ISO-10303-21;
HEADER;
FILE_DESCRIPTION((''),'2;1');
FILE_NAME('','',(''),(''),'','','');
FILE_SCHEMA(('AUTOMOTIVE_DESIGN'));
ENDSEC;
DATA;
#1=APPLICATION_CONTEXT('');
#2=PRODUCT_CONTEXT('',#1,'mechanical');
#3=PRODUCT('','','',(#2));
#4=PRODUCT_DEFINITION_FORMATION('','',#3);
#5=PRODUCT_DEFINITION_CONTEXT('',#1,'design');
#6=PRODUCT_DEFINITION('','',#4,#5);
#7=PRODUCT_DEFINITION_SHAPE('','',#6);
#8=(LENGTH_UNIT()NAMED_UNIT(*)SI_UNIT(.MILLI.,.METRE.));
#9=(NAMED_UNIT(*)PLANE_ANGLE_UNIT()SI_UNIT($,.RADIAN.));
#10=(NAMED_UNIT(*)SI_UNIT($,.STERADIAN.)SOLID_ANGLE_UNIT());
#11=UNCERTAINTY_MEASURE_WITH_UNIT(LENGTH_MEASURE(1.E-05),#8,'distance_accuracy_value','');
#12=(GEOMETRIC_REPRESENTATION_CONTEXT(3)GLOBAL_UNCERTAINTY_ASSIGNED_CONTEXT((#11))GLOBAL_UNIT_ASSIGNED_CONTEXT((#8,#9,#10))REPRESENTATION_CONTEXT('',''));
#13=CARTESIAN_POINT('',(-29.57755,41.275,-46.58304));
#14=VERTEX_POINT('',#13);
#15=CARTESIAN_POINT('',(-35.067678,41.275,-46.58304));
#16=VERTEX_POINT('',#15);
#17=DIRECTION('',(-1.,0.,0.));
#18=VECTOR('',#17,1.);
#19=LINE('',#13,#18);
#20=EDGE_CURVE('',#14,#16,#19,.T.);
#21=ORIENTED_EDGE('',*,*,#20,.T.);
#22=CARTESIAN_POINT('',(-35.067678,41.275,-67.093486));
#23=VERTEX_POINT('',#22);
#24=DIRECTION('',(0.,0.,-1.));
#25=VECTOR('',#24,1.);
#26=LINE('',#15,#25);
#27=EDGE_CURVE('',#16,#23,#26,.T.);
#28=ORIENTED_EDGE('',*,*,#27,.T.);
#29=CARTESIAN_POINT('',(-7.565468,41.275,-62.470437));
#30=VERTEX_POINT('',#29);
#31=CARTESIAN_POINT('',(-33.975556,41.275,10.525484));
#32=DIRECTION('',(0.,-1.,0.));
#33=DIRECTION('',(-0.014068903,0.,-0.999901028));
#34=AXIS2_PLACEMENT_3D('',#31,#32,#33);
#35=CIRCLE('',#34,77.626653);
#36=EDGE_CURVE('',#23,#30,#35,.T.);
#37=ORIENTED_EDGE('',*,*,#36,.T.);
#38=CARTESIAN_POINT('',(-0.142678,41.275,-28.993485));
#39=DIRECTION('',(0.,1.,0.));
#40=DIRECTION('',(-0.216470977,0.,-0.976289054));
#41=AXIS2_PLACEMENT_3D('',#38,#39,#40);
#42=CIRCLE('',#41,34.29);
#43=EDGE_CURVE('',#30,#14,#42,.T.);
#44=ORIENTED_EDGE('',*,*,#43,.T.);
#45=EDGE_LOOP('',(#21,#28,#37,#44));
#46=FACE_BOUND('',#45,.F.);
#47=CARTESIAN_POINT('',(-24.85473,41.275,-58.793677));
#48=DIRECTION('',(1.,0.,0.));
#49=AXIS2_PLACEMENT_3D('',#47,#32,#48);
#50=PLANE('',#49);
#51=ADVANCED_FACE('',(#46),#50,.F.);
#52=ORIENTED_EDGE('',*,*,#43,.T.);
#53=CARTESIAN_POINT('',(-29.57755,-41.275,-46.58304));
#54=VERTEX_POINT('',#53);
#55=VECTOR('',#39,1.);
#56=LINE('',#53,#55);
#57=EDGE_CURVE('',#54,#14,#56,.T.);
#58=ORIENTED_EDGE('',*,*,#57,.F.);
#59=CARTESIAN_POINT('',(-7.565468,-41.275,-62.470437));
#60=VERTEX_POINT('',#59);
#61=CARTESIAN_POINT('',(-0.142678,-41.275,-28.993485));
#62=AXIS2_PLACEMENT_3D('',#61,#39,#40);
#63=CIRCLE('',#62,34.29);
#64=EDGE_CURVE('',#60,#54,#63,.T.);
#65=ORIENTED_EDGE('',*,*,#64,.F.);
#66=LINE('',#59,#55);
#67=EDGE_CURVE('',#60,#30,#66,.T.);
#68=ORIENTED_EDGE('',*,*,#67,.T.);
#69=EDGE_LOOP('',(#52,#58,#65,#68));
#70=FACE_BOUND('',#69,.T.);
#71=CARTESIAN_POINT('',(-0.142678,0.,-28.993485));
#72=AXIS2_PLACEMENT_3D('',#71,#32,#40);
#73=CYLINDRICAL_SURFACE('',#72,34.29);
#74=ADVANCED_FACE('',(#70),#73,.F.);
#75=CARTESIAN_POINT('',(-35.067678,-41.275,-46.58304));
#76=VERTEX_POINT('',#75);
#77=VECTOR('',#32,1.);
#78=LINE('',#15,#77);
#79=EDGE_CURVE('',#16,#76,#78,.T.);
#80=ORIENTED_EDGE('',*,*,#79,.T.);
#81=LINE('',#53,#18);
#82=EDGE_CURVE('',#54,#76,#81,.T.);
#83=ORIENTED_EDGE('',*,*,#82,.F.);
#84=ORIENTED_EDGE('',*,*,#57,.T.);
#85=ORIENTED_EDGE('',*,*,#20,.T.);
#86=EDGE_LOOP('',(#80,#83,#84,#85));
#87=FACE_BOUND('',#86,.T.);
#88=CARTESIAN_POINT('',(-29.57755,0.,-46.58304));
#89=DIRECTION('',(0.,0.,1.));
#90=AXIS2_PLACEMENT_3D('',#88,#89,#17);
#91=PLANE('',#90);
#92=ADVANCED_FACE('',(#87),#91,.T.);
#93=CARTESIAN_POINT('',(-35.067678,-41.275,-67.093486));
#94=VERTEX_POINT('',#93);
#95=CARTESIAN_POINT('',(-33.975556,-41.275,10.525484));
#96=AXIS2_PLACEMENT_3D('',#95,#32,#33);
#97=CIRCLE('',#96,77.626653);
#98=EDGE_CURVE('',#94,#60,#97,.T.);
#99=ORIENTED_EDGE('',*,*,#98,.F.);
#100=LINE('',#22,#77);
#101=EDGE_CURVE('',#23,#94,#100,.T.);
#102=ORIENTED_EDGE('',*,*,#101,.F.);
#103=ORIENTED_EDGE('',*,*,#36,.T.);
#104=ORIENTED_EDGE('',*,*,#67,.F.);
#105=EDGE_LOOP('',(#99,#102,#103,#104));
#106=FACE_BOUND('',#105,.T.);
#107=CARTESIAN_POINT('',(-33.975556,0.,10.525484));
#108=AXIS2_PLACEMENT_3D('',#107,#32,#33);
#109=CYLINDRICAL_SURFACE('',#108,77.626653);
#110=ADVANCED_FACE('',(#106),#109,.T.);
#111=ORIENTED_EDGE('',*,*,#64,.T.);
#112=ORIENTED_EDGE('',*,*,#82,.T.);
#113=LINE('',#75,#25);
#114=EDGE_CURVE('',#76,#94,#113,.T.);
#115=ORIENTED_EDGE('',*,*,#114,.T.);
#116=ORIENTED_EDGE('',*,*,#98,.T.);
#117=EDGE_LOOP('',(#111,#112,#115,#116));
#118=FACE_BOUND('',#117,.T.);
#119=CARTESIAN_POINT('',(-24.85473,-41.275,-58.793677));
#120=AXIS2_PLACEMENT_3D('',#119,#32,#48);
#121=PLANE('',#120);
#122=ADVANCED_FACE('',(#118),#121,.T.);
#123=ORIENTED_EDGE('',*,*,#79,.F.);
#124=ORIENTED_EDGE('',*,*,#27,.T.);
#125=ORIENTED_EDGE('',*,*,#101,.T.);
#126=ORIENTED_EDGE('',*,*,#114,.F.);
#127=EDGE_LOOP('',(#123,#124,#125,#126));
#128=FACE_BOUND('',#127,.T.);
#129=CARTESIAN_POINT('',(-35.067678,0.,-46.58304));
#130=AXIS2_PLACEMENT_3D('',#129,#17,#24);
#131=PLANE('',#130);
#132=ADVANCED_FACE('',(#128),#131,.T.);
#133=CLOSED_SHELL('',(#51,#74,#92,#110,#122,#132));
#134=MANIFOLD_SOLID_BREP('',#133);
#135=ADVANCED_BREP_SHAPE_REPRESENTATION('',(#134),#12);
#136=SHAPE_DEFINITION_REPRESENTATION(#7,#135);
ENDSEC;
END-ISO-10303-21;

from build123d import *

# Parameters (mm, degrees)
F2_DEPTH = 41.275


with BuildPart() as f2:
    # F1 (on Front) → F2 (new body, symmetric)
    with BuildSketch(Plane.XZ):
        with BuildLine():
            Line((-29.57755, -46.58304), (-35.067678, -46.58304))
            Line((-35.067678, -46.58304), (-35.067678, -67.093486))
            ThreePointArc((-35.067678, -67.093486), (-21.107262, -66.02714), (-7.565468, -62.470437))
            ThreePointArc((-7.565468, -62.470437), (-20.210666, -56.797801), (-29.57755, -46.58304))
        make_face()
    extrude(amount=F2_DEPTH, both=True)


solid = f2.part
